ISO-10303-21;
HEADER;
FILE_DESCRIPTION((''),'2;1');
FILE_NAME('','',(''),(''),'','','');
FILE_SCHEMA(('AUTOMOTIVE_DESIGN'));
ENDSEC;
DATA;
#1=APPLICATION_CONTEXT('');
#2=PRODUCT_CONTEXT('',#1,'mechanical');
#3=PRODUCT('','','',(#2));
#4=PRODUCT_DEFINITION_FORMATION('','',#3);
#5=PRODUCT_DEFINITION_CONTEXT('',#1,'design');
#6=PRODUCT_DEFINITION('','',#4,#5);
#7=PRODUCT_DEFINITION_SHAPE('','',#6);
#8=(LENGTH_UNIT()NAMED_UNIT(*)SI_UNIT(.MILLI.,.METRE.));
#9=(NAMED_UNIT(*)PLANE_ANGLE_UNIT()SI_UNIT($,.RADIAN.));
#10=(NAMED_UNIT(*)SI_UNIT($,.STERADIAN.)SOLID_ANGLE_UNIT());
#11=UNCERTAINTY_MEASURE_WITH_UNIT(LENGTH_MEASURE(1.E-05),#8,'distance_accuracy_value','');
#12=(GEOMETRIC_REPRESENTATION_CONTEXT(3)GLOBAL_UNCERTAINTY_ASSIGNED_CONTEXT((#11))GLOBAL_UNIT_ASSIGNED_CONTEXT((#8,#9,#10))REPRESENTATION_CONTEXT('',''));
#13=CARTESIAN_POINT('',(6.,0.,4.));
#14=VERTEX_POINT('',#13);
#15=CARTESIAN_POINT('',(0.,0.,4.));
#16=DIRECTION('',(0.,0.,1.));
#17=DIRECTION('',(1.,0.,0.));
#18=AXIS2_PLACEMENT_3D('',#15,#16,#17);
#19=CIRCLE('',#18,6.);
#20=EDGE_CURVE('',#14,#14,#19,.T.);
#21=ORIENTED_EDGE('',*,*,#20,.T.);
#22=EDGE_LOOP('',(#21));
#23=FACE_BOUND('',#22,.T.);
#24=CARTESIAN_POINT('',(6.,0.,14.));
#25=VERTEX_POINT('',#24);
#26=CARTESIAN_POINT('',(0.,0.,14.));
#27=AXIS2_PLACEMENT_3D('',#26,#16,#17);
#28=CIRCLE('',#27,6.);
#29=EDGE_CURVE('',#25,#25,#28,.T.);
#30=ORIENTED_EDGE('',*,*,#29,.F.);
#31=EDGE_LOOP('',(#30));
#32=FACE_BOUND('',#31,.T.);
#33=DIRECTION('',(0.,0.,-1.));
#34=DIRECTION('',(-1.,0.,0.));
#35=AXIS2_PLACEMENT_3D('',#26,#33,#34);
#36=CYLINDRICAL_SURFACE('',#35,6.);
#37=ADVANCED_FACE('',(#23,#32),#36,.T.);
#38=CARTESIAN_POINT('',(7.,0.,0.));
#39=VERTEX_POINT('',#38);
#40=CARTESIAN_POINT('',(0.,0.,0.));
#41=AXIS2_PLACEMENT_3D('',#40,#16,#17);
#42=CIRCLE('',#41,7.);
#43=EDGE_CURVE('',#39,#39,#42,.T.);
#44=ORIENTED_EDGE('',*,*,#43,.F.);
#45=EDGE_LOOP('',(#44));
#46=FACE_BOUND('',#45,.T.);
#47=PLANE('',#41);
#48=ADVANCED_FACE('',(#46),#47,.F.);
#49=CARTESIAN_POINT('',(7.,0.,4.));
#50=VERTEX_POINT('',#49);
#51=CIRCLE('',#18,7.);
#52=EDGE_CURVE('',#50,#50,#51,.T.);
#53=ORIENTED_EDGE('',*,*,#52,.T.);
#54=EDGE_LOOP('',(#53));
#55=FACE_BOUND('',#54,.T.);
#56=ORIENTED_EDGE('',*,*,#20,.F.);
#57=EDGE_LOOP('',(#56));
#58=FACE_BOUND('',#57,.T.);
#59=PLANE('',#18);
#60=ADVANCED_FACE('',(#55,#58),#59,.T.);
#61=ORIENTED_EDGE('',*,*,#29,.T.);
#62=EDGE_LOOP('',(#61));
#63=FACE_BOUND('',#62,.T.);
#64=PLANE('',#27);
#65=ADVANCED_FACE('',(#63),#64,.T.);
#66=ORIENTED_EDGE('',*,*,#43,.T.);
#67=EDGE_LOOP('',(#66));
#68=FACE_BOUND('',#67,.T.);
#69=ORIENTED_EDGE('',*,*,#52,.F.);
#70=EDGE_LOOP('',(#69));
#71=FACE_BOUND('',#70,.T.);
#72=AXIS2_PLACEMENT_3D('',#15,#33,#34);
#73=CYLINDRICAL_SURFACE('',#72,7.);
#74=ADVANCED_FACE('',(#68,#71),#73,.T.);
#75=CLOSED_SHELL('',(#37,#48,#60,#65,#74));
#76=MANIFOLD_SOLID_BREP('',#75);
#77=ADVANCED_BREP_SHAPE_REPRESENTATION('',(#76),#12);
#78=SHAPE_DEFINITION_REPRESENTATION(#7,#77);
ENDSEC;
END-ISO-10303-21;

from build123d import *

# Parameters (mm, degrees)
SKETCH1_R           = 7
BOSS_EXTRUDE1_DEPTH = 4
SKETCH2_R           = 6
BOSS_EXTRUDE2_DEPTH = 10


with BuildPart() as part:
    # Sketch1 → Boss-Extrude1 (new body)
    with BuildSketch(Plane.XY):
        Circle(SKETCH1_R)
    extrude(amount=BOSS_EXTRUDE1_DEPTH)

    # Sketch2 → Boss-Extrude2 (add)
    with BuildSketch(Plane.XY.offset(4)):
        Circle(SKETCH2_R)
    extrude(amount=BOSS_EXTRUDE2_DEPTH)


solid = part.part
